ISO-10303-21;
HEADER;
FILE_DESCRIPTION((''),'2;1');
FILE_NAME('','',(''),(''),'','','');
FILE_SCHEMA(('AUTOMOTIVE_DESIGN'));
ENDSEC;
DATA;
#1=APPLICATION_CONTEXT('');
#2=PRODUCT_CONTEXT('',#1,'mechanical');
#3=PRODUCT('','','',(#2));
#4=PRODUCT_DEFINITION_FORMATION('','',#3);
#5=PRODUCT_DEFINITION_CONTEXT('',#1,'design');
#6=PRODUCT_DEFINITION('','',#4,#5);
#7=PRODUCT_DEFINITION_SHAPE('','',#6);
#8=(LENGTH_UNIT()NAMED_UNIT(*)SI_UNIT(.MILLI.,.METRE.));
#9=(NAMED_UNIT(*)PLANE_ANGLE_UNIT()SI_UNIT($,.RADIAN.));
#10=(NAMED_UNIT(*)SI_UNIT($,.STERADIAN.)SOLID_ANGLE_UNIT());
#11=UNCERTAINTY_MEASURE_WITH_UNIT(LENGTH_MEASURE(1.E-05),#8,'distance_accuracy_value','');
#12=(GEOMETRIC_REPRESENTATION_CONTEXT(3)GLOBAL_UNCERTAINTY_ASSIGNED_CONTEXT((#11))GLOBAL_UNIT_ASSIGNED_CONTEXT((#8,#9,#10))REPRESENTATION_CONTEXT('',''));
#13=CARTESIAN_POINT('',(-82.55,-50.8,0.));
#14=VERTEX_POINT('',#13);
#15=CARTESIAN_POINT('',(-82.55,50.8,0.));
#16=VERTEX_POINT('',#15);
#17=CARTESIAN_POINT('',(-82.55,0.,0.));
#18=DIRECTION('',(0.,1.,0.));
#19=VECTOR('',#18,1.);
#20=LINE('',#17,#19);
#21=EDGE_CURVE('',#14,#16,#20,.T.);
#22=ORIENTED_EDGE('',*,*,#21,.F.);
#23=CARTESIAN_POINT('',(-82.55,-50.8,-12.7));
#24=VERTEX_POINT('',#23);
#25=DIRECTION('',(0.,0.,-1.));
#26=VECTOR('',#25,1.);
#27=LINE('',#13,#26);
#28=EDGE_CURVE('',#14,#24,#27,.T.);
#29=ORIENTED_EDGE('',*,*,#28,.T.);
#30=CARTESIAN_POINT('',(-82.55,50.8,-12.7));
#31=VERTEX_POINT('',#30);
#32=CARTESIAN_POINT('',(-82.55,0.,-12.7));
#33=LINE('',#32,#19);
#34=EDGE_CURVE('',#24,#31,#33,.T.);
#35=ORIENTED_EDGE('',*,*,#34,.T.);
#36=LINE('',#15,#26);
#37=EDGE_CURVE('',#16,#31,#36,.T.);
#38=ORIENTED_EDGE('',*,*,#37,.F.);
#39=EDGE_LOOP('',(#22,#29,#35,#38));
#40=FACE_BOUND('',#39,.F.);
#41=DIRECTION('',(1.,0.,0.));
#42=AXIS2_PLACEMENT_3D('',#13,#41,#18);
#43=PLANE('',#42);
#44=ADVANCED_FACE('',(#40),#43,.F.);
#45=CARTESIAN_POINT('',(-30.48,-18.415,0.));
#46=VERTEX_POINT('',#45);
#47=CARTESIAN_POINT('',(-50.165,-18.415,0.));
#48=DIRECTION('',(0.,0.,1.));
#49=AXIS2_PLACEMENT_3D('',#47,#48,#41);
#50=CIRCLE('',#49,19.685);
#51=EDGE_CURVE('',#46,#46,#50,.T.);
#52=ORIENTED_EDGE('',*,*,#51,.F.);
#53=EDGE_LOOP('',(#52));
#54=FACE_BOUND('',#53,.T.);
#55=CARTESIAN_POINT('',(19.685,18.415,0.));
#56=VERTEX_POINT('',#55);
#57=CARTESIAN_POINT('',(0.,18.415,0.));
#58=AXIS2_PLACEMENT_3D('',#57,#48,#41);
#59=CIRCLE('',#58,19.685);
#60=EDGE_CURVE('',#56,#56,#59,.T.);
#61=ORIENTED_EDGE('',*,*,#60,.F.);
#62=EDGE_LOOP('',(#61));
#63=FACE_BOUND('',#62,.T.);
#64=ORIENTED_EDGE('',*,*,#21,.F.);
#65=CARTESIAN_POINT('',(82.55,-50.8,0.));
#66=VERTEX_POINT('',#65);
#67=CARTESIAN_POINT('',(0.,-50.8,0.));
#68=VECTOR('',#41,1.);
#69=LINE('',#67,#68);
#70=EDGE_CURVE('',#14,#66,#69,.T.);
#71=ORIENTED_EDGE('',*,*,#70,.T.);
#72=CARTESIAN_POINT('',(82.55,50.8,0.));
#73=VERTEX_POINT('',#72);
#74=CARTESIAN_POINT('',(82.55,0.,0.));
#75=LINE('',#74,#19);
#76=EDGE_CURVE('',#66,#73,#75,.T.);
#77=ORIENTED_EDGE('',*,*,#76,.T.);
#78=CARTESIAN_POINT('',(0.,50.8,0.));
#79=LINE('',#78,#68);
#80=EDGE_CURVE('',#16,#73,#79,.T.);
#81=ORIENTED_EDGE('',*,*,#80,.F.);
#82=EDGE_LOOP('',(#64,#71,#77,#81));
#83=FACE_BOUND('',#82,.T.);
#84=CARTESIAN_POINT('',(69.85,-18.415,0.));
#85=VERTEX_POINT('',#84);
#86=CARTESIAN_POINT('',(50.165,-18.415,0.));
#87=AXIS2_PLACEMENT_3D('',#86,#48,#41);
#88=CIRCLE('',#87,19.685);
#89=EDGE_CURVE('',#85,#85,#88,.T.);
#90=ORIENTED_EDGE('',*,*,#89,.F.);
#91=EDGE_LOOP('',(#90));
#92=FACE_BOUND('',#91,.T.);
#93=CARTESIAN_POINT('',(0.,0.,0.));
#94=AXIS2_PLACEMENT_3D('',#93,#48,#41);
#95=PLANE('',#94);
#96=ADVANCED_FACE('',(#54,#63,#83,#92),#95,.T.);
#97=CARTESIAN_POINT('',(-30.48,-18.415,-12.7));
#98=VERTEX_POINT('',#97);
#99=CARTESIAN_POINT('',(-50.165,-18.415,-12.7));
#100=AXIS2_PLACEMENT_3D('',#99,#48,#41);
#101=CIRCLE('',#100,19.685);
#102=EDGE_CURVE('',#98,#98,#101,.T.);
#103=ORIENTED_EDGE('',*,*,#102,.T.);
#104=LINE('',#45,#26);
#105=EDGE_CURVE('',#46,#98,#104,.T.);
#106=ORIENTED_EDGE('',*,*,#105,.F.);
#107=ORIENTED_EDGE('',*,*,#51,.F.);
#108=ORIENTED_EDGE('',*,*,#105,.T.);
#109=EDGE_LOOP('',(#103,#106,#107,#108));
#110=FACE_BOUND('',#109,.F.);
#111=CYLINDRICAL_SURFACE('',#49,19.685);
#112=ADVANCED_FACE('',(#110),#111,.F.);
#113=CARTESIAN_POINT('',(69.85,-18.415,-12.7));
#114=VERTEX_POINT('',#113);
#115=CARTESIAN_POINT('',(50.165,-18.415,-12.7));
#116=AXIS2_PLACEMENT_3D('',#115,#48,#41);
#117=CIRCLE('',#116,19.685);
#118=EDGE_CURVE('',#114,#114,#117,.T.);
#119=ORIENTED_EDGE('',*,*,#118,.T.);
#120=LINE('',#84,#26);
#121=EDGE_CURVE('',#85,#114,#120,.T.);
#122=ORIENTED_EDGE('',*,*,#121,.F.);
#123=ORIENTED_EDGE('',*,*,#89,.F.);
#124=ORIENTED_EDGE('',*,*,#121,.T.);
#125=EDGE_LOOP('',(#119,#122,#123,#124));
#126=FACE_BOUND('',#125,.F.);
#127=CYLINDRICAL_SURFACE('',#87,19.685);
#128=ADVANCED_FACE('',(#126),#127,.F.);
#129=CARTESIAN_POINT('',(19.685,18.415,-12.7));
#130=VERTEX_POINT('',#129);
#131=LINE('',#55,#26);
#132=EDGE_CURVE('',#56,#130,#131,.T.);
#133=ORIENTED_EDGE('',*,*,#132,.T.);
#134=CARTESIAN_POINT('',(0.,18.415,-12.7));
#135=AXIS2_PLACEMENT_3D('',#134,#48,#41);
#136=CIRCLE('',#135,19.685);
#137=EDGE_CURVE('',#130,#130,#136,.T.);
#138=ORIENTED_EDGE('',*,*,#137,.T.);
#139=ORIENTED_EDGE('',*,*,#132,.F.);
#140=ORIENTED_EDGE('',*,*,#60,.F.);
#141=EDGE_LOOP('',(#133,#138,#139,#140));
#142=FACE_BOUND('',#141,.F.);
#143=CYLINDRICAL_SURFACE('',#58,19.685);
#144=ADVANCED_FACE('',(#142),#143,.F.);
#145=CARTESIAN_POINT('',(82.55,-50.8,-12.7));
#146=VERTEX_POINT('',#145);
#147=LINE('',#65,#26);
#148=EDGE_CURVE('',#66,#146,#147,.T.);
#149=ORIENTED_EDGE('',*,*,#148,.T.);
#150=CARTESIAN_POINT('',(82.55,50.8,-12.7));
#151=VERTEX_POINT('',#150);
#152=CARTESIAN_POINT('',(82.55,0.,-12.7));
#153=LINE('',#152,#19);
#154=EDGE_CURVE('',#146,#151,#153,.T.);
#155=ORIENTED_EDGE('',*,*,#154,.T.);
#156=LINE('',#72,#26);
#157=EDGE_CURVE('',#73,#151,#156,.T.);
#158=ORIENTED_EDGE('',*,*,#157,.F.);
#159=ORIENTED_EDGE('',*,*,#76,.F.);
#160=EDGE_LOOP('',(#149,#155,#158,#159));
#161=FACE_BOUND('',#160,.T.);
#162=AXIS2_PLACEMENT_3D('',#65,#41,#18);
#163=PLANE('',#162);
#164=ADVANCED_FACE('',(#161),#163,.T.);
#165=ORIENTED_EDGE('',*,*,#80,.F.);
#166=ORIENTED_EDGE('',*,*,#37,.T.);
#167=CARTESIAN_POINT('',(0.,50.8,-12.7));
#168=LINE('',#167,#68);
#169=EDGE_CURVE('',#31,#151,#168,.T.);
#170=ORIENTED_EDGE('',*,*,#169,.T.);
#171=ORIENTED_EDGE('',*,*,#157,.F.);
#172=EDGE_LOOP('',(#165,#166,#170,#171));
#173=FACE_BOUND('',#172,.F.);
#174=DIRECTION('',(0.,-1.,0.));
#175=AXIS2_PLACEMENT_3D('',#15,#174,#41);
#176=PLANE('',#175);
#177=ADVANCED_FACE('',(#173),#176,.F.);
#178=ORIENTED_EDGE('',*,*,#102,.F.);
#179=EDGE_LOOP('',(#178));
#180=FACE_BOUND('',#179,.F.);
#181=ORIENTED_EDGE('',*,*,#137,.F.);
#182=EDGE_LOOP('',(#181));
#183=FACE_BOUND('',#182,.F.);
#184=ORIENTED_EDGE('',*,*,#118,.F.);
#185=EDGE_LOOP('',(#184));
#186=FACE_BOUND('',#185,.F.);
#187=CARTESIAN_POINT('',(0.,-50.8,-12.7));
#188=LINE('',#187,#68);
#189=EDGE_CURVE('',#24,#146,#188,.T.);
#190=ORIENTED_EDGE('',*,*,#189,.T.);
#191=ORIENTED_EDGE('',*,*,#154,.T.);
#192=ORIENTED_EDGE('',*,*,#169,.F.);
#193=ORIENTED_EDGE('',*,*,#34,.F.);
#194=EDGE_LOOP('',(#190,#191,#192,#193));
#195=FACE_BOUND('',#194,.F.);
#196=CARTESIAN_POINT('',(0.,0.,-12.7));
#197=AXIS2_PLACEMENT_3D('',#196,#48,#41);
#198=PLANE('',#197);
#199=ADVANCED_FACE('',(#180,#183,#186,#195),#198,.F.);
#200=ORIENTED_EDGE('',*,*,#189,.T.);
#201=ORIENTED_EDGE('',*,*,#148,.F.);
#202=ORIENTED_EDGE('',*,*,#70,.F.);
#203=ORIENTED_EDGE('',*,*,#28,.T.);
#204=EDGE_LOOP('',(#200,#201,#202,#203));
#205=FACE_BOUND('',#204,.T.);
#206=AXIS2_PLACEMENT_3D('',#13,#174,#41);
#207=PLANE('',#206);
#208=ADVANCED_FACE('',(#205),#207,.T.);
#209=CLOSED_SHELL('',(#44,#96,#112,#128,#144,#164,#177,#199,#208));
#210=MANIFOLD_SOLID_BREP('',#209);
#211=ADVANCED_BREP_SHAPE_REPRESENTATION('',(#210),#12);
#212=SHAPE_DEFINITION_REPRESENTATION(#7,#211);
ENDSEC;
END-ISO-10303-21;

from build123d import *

# Parameters (mm, degrees)
F0_W     = 165.1
F0_H     = 101.6
F0_R     = 19.685
F1_DEPTH = 12.7


with BuildPart() as f1:
    # F0 (on Top) → F1 (new body)
    with BuildSketch(Plane.XY):
        Rectangle(F0_W, F0_H)
        with Locations((-50.165, -18.415)):
            Circle(F0_R, mode=Mode.SUBTRACT)
        with Locations((50.165, -18.415)):
            Circle(F0_R, mode=Mode.SUBTRACT)
        with Locations((0, 18.415)):
            Circle(F0_R, mode=Mode.SUBTRACT)
    extrude(amount=-F1_DEPTH)


solid = f1.part
